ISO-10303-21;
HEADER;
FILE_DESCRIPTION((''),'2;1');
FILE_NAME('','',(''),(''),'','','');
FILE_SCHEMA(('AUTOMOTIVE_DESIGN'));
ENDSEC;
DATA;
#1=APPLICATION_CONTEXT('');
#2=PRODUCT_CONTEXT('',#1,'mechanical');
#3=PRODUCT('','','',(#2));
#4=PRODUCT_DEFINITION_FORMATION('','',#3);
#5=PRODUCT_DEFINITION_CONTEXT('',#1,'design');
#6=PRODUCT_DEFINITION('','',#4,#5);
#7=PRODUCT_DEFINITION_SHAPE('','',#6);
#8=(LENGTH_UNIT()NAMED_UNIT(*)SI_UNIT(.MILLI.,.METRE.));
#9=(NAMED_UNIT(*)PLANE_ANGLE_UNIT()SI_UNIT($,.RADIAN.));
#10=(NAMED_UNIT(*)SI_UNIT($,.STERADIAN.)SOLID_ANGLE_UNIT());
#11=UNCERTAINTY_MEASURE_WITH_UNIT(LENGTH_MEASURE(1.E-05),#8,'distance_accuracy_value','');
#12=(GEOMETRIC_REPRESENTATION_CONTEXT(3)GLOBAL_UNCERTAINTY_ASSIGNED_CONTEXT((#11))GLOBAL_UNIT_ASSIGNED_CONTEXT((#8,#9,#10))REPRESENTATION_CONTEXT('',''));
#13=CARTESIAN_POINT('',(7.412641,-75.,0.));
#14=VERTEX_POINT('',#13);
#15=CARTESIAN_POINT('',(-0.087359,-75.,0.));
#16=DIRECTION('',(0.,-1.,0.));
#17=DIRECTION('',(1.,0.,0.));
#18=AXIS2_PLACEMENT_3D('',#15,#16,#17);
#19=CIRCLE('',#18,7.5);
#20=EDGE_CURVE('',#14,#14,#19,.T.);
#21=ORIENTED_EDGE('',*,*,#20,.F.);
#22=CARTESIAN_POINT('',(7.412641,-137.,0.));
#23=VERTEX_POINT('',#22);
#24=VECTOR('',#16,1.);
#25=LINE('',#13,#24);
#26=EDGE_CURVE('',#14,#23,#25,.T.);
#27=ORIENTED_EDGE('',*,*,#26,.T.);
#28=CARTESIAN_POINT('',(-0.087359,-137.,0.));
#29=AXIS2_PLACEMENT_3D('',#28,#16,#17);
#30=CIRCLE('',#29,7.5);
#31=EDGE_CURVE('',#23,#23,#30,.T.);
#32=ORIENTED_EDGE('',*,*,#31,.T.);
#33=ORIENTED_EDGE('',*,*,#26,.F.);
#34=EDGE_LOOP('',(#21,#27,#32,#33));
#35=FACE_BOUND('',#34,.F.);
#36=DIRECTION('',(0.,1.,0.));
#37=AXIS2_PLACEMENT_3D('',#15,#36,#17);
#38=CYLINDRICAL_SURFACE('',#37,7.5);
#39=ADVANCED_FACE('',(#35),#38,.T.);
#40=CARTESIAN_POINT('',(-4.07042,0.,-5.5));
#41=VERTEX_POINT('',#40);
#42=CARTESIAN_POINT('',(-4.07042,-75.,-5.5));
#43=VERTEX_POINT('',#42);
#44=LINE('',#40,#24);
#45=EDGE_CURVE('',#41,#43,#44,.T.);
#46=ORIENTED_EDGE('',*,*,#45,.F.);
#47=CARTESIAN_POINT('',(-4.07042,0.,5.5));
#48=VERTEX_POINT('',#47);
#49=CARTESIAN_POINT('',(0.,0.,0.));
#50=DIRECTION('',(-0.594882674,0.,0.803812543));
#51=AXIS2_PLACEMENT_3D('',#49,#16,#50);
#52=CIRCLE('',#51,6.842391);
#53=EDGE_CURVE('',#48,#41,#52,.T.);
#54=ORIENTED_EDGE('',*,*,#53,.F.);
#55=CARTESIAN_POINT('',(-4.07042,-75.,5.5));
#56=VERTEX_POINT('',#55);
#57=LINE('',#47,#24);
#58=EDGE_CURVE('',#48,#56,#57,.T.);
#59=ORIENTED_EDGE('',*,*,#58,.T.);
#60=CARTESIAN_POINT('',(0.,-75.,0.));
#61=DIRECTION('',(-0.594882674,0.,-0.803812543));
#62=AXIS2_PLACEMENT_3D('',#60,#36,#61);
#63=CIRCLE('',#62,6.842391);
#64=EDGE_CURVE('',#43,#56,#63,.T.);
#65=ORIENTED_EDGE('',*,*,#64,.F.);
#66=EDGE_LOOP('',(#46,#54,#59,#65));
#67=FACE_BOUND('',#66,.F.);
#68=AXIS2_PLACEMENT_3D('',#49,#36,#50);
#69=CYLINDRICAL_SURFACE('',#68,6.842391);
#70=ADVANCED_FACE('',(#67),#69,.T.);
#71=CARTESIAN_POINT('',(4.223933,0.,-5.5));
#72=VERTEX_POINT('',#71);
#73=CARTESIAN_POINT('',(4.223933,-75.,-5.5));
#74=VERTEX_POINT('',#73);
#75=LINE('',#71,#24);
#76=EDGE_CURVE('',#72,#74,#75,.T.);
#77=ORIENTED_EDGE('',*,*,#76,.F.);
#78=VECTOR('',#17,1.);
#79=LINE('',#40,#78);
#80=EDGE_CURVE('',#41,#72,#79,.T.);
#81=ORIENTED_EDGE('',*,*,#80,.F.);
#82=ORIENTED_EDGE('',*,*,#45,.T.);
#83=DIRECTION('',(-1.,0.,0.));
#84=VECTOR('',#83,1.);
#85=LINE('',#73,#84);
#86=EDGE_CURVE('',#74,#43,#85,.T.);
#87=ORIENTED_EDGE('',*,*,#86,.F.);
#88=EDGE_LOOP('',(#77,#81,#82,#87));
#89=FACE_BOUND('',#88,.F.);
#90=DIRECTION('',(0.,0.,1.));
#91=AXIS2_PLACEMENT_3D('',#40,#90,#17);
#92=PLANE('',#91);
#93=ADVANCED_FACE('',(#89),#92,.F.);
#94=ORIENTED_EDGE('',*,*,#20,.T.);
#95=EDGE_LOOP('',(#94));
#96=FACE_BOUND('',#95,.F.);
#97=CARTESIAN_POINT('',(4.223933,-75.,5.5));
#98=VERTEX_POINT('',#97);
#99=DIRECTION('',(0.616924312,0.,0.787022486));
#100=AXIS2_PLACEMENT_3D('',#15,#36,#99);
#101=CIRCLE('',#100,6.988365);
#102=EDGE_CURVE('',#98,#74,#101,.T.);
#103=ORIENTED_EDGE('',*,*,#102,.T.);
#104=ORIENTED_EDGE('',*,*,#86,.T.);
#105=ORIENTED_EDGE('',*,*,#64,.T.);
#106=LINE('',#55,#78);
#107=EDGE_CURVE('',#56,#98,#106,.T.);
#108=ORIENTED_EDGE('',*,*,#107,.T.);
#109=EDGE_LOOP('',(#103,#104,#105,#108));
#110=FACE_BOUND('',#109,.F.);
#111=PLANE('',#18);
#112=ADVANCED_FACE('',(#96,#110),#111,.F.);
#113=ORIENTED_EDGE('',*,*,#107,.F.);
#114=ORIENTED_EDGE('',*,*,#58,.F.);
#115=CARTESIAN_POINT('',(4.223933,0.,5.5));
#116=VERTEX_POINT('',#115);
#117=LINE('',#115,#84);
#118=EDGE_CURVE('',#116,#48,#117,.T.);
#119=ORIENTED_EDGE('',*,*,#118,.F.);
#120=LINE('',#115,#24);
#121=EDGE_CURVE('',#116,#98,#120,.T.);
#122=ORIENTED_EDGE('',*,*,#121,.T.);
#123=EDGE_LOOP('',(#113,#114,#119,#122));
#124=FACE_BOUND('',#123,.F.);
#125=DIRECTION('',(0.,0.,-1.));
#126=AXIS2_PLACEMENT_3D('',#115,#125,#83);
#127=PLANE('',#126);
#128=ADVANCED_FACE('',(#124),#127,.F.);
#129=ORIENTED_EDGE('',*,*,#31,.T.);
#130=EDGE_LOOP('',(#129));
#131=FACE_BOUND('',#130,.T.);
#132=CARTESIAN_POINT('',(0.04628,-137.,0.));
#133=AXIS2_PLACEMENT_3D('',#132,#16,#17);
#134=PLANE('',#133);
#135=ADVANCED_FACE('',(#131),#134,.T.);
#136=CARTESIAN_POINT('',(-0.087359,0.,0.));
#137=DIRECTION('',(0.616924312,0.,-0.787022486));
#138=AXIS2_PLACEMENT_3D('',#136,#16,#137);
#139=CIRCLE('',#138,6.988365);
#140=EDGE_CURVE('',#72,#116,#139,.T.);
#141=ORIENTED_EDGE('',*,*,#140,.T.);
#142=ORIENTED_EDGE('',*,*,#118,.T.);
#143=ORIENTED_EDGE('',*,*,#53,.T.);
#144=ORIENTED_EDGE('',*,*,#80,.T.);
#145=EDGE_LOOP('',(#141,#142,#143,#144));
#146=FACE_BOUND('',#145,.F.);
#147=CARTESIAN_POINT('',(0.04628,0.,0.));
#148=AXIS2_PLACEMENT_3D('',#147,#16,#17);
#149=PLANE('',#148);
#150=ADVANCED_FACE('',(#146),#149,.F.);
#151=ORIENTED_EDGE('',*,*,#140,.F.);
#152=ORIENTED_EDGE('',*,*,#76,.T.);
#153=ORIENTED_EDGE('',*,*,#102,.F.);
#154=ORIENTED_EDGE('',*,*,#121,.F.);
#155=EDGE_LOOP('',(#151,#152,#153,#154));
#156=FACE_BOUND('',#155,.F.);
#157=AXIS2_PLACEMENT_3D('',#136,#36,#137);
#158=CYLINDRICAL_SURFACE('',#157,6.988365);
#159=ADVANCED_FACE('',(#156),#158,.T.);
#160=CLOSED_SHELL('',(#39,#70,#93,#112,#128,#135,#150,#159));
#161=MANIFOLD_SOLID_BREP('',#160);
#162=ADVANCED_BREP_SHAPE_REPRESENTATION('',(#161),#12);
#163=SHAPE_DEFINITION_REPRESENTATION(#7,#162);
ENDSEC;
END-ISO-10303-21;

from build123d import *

# Parameters (mm, degrees)
F0_R     = 4
F1_DEPTH = 130
F2_START = 75
F0_R_2   = 7.5
F2_DEPTH = 62
F3_DEPTH = 7


with BuildPart() as f1:
    # F0 (on Front) → F1 (new body)
    with BuildSketch(Plane.XZ):
        with BuildLine():
            Line((4.2239325422, 5.5), (-4.0704200721, 5.5))
            ThreePointArc((-4.0704200721, 5.5), (-6.8423913629, 0), (-4.0704200721, -5.5))
            Line((-4.0704200721, -5.5), (4.2239325422, -5.5))
            ThreePointArc((4.2239325422, -5.5), (6.9010050788, 0), (4.2239325422, 5.5))
        make_face()
        Circle(F0_R, mode=Mode.SUBTRACT)
        Circle(F0_R)
    extrude(amount=F1_DEPTH)

    # F0 (on Front) → F2 (join)
    with BuildSketch(Plane.XZ.offset(F2_START)):
        with Locations((-0.087359423, 0)):
            Circle(F0_R_2)
        with BuildLine():
            ThreePointArc((-4.0704200721, -5.5), (-6.8423913629, 0), (-4.0704200721, 5.5))
            Line((-4.0704200721, 5.5), (4.2239325422, 5.5))
            ThreePointArc((4.2239325422, 5.5), (6.9010050788, 0), (4.2239325422, -5.5))
            Line((4.2239325422, -5.5), (-4.0704200721, -5.5))
        make_face(mode=Mode.SUBTRACT)
    extrude(amount=F2_DEPTH)

    # F3 (add): a face of the model
    f3_faces = [f1.faces().sort_by_distance(p)[0] for p in [
        (0.0391395294, -130, 0),
    ]]
    extrude(f3_faces, amount=F3_DEPTH)


solid = f1.part
